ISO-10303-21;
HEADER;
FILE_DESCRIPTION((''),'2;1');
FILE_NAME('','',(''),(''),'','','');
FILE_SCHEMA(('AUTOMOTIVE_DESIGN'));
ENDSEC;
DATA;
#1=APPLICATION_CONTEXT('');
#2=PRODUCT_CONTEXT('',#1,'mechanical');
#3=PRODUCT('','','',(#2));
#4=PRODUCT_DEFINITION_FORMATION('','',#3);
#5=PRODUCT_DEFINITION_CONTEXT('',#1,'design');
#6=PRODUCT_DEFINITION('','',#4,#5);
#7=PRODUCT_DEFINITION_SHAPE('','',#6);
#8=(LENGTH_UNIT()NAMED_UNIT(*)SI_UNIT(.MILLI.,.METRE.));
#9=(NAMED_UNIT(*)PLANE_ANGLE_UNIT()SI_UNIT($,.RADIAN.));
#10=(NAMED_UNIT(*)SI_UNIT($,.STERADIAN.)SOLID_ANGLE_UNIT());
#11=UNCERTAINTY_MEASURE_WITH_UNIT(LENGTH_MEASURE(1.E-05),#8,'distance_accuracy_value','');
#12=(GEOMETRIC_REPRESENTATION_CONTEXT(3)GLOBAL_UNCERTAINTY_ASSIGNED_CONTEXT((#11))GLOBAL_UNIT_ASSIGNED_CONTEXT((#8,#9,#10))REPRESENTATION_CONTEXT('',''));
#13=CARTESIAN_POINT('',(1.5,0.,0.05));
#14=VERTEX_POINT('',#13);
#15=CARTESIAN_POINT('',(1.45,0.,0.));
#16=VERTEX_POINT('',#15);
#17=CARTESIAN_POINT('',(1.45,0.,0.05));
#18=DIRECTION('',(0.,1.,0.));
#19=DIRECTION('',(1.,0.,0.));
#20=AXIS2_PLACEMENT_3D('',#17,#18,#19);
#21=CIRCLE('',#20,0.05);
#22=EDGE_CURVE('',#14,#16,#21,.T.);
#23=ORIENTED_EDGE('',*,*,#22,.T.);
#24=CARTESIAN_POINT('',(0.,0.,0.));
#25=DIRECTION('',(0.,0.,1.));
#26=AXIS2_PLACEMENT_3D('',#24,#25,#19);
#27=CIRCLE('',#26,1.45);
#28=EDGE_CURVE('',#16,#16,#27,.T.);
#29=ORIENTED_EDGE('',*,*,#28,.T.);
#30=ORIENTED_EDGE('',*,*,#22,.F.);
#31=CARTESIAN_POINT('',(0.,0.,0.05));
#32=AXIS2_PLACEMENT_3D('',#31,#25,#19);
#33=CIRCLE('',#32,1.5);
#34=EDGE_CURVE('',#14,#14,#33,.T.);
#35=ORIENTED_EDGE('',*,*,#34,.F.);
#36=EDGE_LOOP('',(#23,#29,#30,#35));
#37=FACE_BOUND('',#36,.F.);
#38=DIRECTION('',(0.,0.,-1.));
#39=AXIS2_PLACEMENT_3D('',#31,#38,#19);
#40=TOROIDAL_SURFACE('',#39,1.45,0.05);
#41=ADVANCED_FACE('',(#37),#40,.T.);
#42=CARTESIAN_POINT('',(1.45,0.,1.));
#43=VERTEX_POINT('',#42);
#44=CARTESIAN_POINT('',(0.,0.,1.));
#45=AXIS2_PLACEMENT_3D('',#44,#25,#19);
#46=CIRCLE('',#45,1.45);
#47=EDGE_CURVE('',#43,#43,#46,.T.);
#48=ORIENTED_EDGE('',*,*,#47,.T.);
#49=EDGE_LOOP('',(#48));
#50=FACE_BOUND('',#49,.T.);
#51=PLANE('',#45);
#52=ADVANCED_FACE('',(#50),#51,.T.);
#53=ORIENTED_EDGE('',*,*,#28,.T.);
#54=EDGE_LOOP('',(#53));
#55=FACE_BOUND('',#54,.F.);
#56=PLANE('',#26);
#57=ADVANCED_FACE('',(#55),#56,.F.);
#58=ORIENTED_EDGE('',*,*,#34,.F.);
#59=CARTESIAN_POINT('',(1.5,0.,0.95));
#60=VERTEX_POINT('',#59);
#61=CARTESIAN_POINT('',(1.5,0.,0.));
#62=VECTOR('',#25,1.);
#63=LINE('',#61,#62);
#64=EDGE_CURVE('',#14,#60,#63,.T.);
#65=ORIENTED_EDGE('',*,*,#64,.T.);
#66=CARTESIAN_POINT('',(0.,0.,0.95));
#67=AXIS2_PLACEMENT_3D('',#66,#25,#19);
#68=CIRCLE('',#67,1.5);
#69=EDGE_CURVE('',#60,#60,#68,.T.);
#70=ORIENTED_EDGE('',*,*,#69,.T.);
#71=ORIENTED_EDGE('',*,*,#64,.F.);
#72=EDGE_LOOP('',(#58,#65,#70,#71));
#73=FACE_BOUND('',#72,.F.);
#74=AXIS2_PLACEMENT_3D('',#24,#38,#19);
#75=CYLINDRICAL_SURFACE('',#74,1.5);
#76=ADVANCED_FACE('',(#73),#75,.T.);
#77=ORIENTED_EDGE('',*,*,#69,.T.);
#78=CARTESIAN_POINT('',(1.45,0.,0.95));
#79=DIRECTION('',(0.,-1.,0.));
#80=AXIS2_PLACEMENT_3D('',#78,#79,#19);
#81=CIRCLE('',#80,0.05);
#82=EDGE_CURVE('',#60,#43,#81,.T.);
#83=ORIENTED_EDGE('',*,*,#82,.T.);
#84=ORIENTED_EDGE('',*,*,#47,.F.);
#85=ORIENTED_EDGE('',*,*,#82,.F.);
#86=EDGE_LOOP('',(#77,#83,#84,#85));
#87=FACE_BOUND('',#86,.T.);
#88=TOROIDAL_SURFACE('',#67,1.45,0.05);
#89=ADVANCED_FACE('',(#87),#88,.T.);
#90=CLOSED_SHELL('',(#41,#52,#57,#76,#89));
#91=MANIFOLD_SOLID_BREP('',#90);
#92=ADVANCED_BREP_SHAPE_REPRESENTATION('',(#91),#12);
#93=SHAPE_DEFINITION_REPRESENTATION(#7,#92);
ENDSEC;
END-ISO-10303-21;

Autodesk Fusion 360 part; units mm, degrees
sketch "3 mm x 1 mm neodymium disc magnet" plane through (0, 0, 0) normal (0, 0, 1) x (1, 0, 0)
  circle A0 centre (0, 0) radius 1.5
  dimension "d1" = 3
extrude "Extrude1" add sketch "3 mm x 1 mm neodymium disc magnet" along normal blind 1
fillet "Fillet1" radius 0.05 2 edges at (-1.3985, -0.5424, 1) (-1.3985, -0.5424, 0)
